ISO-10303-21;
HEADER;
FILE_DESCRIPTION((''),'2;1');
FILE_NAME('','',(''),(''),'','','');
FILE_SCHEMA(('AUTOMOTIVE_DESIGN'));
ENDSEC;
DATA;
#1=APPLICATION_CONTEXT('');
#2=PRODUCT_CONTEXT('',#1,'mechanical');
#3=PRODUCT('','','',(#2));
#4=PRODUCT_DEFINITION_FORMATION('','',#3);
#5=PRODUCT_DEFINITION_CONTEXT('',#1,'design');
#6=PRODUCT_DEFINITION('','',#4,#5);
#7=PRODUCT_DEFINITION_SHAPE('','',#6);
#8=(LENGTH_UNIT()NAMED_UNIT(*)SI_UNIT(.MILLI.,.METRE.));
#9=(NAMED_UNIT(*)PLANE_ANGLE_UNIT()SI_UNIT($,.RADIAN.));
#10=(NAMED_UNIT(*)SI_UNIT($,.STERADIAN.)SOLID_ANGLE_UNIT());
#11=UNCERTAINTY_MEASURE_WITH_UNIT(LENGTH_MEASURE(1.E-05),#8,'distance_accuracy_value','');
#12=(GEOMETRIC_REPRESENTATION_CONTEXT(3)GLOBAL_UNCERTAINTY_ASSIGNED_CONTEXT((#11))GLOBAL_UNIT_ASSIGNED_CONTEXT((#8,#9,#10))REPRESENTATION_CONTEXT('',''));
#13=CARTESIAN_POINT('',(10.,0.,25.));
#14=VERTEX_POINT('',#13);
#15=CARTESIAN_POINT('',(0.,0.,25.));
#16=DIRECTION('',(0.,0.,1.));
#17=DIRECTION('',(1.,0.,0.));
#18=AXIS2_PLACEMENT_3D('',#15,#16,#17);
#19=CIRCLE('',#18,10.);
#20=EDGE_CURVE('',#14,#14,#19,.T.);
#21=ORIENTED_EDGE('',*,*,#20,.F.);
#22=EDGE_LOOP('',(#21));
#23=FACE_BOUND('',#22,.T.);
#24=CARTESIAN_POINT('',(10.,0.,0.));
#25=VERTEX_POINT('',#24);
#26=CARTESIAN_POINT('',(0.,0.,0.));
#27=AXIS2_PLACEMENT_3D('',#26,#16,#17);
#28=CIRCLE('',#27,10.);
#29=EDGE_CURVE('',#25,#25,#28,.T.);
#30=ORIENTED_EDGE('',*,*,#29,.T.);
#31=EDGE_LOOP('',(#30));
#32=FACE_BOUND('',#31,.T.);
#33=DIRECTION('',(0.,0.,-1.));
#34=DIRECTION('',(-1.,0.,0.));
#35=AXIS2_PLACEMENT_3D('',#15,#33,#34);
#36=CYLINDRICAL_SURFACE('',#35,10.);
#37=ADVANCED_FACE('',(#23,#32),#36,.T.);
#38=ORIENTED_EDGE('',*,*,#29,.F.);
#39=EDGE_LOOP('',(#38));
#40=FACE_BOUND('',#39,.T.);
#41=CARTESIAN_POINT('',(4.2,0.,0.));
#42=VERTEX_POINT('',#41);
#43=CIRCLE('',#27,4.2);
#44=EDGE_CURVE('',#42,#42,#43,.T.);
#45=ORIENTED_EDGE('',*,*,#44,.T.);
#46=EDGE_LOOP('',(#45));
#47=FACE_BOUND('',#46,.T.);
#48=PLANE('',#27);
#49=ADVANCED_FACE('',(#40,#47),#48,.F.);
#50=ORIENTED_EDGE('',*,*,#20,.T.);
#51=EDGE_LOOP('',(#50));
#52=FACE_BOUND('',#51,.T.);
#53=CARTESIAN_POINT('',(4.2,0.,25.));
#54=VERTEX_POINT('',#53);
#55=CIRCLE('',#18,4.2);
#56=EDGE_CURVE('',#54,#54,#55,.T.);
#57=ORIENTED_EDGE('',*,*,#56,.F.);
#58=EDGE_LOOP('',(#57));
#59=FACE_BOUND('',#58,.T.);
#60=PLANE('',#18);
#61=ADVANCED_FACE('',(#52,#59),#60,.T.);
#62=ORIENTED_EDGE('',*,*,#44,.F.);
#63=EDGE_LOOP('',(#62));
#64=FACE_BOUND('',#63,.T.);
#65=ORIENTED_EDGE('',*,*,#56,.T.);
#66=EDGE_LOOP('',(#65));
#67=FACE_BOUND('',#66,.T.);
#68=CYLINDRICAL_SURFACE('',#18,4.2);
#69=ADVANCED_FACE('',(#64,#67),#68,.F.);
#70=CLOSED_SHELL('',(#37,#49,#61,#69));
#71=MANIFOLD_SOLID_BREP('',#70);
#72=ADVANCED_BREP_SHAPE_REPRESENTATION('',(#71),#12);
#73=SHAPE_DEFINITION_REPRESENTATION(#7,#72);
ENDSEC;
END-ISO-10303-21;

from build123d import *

# Parameters (mm, degrees)
CROQUIS1_R                   = 10
SALIENTE_EXTRUIR1_DEPTH      = 25
TALADRO_DE_MARGEN_PARA_M81_D = 8.4


with BuildPart() as part:
    # Croquis1 → Saliente-Extruir1 (new body)
    with BuildSketch(Plane.XY):
        Circle(CROQUIS1_R)
    extrude(amount=SALIENTE_EXTRUIR1_DEPTH)

    # Taladro de margen para M81 (through all)
    with Locations(Plane.XY.offset(25)):
        with Locations((0, 0)):
            Hole(TALADRO_DE_MARGEN_PARA_M81_D / 2)


solid = part.part
